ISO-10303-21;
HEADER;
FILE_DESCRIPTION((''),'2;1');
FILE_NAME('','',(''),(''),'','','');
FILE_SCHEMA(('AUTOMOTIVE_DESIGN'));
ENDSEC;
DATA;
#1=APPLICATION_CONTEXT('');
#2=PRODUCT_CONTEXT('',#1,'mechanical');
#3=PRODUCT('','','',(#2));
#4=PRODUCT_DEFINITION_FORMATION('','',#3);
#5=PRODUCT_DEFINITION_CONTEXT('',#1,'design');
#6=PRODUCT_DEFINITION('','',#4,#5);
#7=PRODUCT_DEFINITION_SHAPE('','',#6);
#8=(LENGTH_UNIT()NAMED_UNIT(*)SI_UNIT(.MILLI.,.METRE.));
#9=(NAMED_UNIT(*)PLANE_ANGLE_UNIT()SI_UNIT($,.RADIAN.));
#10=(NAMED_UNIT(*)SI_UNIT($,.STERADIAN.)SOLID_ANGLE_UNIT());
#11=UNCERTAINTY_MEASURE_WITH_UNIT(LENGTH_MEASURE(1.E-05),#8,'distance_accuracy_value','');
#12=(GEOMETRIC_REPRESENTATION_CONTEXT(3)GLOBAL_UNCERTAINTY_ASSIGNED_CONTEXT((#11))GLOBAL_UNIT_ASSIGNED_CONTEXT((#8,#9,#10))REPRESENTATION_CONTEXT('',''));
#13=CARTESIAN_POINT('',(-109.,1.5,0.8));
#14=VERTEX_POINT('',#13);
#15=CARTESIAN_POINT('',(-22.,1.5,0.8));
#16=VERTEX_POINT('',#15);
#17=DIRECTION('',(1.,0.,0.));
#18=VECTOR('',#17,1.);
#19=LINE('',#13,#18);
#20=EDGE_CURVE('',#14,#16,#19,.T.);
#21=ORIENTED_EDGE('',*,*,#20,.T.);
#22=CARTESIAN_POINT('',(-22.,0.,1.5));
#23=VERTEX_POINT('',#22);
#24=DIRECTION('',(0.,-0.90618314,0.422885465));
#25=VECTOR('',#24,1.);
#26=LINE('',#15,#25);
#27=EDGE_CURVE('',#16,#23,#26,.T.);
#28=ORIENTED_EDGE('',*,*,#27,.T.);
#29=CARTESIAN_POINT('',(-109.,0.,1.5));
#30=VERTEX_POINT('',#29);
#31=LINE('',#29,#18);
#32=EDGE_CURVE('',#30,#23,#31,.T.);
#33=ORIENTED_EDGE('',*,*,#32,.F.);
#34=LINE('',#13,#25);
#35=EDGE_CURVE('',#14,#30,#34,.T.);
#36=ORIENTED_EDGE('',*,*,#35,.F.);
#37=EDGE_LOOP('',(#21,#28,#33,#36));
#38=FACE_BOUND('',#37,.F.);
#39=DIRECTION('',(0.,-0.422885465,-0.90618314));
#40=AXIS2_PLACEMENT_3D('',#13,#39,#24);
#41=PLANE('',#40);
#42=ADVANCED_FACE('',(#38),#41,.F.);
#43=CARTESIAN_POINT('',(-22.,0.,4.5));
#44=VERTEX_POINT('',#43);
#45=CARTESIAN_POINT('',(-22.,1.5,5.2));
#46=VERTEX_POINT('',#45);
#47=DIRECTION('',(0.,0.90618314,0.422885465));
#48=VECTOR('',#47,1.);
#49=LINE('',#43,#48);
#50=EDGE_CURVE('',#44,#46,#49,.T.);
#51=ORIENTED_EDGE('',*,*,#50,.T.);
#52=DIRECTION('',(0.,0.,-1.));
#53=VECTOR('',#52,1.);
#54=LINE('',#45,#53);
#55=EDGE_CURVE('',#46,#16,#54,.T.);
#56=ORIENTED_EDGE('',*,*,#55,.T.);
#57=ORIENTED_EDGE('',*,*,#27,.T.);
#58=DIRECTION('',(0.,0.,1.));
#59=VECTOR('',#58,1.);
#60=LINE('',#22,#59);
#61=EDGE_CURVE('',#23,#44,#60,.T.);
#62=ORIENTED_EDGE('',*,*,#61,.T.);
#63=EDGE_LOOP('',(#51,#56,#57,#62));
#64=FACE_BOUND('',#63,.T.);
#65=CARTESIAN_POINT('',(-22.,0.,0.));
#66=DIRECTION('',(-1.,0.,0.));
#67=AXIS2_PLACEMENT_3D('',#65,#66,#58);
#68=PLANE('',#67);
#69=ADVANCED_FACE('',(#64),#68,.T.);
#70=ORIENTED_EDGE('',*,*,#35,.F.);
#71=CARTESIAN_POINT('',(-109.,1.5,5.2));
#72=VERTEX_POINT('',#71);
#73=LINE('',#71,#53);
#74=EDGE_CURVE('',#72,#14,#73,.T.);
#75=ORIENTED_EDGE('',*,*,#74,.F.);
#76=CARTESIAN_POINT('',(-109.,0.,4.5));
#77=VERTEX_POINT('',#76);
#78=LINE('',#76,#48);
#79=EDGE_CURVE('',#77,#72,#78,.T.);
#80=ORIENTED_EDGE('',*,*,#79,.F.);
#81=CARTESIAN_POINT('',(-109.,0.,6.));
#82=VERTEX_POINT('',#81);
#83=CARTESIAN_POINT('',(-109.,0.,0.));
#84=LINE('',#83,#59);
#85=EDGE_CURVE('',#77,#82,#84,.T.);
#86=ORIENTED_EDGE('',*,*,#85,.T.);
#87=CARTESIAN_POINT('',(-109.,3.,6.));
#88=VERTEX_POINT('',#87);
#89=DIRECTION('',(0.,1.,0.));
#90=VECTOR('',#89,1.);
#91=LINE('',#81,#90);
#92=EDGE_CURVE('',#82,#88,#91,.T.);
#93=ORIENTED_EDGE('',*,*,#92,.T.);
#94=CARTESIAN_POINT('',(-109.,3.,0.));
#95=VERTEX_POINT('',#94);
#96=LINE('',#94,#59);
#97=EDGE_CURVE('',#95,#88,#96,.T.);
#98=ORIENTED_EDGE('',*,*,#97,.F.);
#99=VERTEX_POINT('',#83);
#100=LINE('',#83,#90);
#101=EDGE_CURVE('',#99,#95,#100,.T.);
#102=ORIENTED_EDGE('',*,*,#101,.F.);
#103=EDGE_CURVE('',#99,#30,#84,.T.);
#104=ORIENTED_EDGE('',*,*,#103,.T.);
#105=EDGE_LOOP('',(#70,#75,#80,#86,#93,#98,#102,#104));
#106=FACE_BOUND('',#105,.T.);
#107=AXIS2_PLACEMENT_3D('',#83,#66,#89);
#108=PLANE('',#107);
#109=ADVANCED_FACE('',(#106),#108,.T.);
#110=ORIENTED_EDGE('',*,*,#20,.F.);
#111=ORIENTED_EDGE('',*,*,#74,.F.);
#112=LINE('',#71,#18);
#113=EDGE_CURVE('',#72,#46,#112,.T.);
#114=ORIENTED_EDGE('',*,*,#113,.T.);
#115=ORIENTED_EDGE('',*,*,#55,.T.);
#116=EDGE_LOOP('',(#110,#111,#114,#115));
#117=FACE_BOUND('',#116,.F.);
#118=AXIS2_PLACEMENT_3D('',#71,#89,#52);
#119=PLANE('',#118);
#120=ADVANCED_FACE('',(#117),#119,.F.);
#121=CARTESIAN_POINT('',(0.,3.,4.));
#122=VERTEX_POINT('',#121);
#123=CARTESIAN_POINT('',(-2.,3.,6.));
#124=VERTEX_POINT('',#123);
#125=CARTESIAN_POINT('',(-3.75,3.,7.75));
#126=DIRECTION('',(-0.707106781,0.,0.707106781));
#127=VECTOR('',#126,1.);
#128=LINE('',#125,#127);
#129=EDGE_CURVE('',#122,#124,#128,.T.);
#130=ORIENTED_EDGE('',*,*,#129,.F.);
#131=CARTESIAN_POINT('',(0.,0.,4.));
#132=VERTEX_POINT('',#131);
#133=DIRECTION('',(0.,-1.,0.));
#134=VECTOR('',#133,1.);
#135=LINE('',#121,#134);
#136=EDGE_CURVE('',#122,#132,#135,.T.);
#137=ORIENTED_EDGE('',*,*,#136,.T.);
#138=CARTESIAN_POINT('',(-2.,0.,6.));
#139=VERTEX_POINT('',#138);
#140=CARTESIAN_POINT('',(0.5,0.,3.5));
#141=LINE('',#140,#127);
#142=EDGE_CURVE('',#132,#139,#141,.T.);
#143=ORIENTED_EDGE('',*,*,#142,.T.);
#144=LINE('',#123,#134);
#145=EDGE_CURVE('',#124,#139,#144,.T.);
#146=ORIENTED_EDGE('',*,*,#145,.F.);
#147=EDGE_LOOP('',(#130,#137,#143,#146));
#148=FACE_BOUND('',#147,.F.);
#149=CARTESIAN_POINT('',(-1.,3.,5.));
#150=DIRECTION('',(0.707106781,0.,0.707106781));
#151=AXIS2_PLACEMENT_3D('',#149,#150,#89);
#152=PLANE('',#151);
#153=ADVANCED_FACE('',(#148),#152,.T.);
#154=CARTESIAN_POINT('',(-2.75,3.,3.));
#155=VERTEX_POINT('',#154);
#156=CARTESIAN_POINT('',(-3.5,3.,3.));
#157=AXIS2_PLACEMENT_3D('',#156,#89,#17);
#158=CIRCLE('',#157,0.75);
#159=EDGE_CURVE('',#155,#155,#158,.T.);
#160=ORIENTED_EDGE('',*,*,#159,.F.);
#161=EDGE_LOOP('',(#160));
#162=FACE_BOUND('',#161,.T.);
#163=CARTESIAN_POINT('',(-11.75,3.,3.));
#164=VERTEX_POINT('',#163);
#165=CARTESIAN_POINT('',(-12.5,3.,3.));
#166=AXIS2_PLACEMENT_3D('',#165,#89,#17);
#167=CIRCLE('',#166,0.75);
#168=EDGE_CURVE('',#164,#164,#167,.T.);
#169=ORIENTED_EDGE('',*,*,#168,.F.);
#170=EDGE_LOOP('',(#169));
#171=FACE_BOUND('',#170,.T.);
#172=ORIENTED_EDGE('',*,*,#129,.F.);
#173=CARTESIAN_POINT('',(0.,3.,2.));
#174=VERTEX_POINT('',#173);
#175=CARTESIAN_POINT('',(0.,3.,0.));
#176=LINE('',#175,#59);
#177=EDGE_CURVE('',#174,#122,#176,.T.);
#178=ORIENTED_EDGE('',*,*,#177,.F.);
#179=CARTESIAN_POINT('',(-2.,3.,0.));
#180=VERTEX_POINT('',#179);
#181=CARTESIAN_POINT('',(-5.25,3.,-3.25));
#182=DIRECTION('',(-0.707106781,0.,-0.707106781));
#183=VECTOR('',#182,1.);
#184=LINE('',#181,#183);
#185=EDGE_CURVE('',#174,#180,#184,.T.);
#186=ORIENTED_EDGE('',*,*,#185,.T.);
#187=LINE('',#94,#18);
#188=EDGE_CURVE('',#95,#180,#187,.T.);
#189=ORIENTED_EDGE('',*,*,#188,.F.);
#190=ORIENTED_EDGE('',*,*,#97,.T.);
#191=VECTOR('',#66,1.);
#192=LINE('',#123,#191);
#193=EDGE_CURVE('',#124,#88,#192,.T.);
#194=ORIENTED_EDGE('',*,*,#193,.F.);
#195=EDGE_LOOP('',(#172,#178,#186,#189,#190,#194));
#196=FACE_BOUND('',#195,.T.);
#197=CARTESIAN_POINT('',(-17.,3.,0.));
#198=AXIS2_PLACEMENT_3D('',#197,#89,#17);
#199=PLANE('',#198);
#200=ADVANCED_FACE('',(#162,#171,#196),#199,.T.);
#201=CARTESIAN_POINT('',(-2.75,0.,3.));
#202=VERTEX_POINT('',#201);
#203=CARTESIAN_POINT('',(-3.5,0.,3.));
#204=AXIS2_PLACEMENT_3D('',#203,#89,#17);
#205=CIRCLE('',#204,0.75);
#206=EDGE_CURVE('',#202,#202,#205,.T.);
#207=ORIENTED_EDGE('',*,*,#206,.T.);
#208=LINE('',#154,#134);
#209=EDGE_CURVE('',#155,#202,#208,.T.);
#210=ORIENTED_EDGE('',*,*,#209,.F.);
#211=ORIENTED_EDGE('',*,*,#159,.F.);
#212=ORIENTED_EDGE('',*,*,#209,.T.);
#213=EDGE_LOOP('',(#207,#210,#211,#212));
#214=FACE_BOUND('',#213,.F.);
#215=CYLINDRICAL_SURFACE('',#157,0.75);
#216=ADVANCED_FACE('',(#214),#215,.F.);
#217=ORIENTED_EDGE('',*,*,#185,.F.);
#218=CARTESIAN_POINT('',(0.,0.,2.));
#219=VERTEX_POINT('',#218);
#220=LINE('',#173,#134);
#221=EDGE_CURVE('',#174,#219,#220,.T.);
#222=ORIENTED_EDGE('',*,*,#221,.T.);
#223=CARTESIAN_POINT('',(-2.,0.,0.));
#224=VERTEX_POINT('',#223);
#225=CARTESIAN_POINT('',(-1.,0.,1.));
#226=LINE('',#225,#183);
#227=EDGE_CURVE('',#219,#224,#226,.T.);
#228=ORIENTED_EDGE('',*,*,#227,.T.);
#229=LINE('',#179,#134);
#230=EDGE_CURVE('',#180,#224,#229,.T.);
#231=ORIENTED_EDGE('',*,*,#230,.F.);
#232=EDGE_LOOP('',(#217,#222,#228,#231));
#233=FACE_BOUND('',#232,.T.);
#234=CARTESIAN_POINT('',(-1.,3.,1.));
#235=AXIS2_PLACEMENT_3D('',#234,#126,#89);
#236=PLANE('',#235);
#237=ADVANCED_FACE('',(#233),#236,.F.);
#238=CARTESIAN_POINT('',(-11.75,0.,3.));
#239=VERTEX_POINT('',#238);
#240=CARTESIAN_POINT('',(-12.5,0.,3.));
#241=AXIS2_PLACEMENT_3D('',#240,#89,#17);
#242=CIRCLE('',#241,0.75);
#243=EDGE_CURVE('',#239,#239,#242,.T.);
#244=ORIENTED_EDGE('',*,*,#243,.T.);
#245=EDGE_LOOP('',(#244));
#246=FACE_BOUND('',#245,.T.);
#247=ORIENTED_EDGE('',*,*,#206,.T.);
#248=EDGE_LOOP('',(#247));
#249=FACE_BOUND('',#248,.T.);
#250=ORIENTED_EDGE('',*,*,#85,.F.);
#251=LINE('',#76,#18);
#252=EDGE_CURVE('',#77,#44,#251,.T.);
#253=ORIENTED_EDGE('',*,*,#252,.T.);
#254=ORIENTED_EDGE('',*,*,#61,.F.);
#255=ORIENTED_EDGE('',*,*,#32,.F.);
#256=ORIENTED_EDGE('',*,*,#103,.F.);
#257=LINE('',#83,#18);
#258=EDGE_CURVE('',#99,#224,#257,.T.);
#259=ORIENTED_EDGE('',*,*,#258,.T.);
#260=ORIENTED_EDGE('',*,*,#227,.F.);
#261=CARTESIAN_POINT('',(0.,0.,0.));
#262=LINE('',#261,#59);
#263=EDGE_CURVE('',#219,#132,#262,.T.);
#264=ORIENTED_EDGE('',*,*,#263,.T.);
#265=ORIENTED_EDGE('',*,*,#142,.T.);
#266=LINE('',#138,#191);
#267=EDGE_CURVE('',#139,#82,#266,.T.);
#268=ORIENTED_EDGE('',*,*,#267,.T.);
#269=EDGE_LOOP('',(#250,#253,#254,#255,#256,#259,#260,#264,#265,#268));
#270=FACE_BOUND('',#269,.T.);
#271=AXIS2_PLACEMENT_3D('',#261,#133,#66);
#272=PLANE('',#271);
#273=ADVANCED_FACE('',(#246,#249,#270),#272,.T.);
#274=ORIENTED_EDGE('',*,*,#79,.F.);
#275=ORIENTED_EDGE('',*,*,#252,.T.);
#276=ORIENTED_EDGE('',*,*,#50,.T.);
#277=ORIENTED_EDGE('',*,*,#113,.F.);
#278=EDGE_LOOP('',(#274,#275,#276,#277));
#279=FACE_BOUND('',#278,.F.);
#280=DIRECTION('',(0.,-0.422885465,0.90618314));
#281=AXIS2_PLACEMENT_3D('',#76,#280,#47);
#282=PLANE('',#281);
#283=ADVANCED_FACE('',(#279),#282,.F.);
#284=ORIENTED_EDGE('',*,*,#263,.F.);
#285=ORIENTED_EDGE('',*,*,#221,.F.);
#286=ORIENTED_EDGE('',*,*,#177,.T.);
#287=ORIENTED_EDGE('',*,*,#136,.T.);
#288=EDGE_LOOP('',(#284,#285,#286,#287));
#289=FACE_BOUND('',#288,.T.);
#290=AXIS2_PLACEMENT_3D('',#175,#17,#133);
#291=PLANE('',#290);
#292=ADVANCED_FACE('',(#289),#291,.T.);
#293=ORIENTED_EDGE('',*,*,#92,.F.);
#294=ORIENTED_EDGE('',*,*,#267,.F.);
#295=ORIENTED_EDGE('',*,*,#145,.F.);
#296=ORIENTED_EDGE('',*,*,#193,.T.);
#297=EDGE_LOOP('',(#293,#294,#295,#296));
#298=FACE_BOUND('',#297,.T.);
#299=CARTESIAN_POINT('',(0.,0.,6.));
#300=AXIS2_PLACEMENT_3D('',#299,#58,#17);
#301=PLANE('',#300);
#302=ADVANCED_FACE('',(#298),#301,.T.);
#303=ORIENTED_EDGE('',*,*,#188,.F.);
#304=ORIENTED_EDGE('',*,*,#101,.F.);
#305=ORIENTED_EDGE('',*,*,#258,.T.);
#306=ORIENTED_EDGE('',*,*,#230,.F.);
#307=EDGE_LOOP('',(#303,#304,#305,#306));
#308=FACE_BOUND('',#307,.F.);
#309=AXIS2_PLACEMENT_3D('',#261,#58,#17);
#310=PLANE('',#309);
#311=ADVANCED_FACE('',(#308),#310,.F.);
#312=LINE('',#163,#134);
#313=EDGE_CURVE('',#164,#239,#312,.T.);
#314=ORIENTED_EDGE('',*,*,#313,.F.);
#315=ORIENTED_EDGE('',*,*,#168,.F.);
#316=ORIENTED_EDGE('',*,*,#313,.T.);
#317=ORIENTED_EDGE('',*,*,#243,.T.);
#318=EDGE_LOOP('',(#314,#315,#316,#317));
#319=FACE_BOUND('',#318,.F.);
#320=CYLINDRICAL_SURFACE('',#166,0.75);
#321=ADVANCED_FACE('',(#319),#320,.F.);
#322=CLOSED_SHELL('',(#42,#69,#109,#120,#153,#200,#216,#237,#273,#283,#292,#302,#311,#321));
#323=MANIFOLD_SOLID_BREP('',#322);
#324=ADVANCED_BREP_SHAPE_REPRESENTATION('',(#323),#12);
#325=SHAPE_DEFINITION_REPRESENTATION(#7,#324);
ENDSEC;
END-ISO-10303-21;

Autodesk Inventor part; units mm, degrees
ref_plane "YZ Plane" through (0, 0, 0) normal (1, 0, 0) x (0, 1, 0)
ref_plane "XZ Plane" through (0, 0, 0) normal (0, 1, 0) x (-1, 0, 0)
ref_plane "XY Plane" through (0, 0, 0) normal (0, 0, 1) x (1, 0, 0)
sketch "Sketch1" plane through (0, 0, 0) normal (0, 0, 1) x (1, 0, 0)
  line L0 (0, 0) -> (-19, 0)
  line L1 (-19, 0) -> (-19, 0)
  line L2 (-19, 0) -> (-109, 0)
  line L3 (-109, 0) -> (-109, 3)
  line L4 (-109, 3) -> (-17, 3)
  line L5 (-17, 3) -> (-17, 3)
  line L6 (-17, 3) -> (0, 3)
  line L7 (0, 3) -> (0, 0)
  dimension "d1" = 0
  dimension "d3" = 3
  dimension "d4" = 3
  dimension "d5" = 17
  dimension "d6" = 2
  dimension "d7" = 90
extrude "Extrusion1" add sketch "Sketch1" along normal blind 6
chamfer "Chamfer1" distance 2 angle 45 2 edges at (0, 1.5, 0) (0, 1.5, 6)
sketch "Sketch3" plane through (-109, 0, 0) normal (-1, 0, 0) x (0, 0, 1)
  line L0 (3, 0) -> (3, 4.5868) construction
  line L1 (0.8, 1.5) -> (1.5, 0)
  line L2 (1.5, 0) -> (4.5, 0)
  line L3 (4.5, 0) -> (5.2, 1.5)
  line L4 (5.2, 1.5) -> (0.8, 1.5)
  line L5 (0, 0) -> (6, 0) projected
  point P0 (0, 0)
  dimension "d20" = 1.5
  dimension "d21" = 2.2
  dimension "d22" = 4.4
  dimension "d23" = 3
  dimension "d24" = 1.5
extrude "Extrusion3" cut sketch "Sketch3" against normal blind 87
sketch "Sketch4" plane through (-109, 3, 6) normal (0, 1, 0) x (1, 0, 0)
  line L0 (109, 4) -> (109, 2) projected
  line L1 (109, 3) -> (86.5142, 3) construction
  circle A0 centre (96.5, 3) radius 0.75
  circle A1 centre (105.5, 3) radius 0.75
  point P0 (109, 6)
  dimension "d42" = 3.5
  dimension "d43" = 9
  dimension "d44" = 1.5
  dimension "d45" = 1.5
extrude "Extrusion4" cut sketch "Sketch4" against normal through all
equation "\"d20\" = 0.5 * d23"
equation "\"d21\" = 0.5 * d22"
properties part number "spazzola - asta"
